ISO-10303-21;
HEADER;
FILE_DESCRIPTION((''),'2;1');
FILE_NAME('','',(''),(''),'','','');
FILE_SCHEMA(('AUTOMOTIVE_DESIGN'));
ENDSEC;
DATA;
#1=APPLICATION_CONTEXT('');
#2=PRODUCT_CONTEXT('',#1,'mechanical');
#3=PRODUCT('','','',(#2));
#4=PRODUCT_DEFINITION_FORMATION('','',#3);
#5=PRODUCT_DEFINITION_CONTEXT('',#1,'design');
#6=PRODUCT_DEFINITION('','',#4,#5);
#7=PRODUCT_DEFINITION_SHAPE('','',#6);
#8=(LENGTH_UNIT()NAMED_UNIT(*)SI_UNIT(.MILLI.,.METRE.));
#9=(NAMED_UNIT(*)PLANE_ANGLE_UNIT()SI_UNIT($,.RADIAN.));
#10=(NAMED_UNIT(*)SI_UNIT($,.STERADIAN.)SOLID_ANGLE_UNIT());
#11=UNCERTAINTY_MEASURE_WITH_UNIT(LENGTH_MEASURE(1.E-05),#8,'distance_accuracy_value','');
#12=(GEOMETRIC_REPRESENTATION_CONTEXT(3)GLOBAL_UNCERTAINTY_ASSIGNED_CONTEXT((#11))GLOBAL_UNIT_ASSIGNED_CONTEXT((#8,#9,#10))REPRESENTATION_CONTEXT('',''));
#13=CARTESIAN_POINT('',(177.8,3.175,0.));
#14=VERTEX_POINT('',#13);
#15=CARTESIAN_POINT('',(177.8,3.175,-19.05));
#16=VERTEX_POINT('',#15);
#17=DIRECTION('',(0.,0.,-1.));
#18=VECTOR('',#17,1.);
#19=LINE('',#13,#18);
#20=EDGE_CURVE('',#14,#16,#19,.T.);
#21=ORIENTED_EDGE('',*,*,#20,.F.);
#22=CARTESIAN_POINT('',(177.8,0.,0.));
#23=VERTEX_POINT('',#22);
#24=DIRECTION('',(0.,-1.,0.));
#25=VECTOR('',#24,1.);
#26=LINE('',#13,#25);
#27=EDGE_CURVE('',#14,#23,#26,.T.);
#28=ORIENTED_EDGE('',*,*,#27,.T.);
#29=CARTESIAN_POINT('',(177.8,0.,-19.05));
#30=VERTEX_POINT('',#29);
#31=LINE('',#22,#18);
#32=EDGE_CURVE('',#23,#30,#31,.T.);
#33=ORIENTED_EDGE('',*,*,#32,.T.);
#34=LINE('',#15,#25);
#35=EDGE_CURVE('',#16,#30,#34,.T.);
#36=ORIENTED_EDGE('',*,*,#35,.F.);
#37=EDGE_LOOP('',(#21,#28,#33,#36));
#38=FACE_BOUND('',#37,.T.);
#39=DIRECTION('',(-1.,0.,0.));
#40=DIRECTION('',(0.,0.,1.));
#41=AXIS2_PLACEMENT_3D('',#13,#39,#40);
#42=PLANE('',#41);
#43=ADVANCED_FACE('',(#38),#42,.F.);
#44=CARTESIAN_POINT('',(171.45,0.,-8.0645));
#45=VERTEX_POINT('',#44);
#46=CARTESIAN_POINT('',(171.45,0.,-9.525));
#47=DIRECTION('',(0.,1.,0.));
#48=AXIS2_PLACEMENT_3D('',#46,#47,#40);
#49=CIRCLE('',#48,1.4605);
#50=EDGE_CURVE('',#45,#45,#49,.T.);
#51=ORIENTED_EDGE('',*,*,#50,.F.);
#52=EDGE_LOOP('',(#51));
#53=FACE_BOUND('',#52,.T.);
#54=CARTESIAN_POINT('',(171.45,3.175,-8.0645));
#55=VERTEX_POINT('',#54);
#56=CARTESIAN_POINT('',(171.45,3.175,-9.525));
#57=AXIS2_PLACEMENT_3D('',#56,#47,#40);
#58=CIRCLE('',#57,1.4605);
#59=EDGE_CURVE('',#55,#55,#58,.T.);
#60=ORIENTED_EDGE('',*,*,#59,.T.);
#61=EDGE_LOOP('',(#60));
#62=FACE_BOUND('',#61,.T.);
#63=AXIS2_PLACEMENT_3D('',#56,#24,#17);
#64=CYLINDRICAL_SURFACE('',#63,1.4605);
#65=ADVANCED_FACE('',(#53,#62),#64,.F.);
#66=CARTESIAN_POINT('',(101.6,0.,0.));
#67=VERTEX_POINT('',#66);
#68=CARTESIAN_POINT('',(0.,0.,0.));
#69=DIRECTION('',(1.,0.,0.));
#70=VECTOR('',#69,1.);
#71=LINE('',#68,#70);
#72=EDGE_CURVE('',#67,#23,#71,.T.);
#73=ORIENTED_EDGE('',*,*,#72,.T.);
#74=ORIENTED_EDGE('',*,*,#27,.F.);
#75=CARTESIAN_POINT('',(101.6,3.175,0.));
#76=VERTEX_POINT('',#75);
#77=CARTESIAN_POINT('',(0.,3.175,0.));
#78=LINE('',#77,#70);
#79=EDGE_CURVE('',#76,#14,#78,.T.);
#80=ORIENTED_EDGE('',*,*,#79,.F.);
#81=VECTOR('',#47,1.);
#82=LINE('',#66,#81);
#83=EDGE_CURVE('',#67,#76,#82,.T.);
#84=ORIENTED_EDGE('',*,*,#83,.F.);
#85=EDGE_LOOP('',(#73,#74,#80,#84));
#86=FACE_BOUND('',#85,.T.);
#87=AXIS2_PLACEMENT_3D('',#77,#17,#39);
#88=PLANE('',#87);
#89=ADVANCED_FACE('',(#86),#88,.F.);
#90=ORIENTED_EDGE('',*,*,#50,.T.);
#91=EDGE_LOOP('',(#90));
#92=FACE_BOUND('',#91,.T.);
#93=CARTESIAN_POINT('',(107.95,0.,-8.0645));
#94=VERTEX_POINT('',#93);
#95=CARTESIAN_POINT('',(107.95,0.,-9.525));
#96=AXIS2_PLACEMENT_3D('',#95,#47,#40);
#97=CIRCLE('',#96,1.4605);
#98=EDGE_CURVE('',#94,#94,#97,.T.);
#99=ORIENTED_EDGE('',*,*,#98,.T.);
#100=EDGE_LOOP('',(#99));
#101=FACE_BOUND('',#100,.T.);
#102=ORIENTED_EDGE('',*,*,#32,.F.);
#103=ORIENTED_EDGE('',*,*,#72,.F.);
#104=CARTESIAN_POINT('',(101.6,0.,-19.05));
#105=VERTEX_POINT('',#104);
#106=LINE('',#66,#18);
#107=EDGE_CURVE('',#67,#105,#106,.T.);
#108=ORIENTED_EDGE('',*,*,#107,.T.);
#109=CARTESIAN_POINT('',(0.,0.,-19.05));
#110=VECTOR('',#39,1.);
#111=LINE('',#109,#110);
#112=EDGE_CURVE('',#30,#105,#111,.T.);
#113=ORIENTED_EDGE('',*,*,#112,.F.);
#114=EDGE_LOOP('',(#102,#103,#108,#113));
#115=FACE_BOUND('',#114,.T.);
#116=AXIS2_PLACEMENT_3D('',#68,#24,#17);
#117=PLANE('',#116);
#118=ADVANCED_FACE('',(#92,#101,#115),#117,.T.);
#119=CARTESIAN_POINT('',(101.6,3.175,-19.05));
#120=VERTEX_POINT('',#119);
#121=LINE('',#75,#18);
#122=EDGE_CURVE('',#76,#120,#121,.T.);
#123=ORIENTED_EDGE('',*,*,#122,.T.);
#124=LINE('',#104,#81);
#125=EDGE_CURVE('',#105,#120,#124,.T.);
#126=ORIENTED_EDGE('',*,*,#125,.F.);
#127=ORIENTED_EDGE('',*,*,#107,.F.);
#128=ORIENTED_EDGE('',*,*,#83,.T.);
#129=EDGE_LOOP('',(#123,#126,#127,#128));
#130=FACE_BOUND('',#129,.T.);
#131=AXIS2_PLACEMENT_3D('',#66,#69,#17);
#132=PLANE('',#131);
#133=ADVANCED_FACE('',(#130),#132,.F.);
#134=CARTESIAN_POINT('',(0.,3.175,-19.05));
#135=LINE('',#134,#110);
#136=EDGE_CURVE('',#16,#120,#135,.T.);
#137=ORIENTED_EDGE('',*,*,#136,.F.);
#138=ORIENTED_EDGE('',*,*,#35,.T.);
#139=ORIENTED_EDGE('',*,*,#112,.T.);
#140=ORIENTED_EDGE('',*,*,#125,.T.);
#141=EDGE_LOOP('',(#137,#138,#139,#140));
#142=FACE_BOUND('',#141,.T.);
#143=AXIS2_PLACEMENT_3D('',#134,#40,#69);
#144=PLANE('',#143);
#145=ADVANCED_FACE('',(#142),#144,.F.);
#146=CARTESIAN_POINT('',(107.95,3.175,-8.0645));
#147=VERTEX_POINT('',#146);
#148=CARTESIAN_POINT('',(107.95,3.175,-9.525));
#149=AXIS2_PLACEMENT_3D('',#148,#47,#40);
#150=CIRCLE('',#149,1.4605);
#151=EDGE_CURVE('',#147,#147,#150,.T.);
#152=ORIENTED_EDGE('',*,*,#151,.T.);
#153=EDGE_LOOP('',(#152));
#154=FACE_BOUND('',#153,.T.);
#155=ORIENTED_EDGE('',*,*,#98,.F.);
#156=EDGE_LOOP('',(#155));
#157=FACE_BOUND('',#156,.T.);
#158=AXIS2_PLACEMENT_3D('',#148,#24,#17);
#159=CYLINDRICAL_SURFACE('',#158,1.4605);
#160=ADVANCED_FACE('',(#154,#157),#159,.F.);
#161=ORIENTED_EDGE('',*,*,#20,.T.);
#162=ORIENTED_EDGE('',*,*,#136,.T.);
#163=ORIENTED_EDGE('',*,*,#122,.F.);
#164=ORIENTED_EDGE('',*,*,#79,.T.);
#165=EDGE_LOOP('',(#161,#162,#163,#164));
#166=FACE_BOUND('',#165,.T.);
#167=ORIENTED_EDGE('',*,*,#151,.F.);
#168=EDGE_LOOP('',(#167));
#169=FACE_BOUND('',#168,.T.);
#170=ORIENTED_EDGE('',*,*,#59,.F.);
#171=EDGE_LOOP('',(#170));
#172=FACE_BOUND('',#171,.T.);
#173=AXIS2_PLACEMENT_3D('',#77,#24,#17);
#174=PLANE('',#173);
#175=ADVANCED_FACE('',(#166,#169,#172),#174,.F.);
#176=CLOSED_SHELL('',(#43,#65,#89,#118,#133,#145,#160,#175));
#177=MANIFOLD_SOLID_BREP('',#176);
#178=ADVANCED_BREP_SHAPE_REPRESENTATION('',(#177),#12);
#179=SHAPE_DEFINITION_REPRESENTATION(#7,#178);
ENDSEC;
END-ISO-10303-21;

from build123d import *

# Parameters (mm, degrees)
SKETCH1_W           = 177.8
SKETCH1_H           = 19.05
SKETCH1_R           = 1.4605
BOSS_EXTRUDE1_DEPTH = 3.175
SKETCH2_W           = 101.6
SKETCH2_H           = 19.05
CUT_EXTRUDE1_DEPTH  = 179.84580824


with BuildPart() as part:
    # Sketch1 → Boss-Extrude1 (new body)
    with BuildSketch(Plane(origin=(0, 0, 0), x_dir=(1, 0, 0), z_dir=(0, 1, 0))):
        with Locations((88.9, 9.525)):
            Rectangle(SKETCH1_W, SKETCH1_H)
        with Locations(Location((6.35, 9.525, 0), (0, 0, 270))):
            Circle(SKETCH1_R, mode=Mode.SUBTRACT)
        with Locations(Location((107.95, 9.525, 0), (0, 0, 270))):
            Circle(SKETCH1_R, mode=Mode.SUBTRACT)
        with Locations(Location((171.45, 9.525, 0), (0, 0, 270))):
            Circle(SKETCH1_R, mode=Mode.SUBTRACT)
    extrude(amount=BOSS_EXTRUDE1_DEPTH)

    # Sketch2 → Cut-Extrude1 (cut, through all)
    with BuildSketch(Plane(origin=(0, 3.175, 0), x_dir=(1, 0, 0), z_dir=(0, 1, 0))):
        with Locations((50.8, 9.525)):
            Rectangle(SKETCH2_W, SKETCH2_H)
    extrude(amount=-CUT_EXTRUDE1_DEPTH, mode=Mode.SUBTRACT)


solid = part.part
